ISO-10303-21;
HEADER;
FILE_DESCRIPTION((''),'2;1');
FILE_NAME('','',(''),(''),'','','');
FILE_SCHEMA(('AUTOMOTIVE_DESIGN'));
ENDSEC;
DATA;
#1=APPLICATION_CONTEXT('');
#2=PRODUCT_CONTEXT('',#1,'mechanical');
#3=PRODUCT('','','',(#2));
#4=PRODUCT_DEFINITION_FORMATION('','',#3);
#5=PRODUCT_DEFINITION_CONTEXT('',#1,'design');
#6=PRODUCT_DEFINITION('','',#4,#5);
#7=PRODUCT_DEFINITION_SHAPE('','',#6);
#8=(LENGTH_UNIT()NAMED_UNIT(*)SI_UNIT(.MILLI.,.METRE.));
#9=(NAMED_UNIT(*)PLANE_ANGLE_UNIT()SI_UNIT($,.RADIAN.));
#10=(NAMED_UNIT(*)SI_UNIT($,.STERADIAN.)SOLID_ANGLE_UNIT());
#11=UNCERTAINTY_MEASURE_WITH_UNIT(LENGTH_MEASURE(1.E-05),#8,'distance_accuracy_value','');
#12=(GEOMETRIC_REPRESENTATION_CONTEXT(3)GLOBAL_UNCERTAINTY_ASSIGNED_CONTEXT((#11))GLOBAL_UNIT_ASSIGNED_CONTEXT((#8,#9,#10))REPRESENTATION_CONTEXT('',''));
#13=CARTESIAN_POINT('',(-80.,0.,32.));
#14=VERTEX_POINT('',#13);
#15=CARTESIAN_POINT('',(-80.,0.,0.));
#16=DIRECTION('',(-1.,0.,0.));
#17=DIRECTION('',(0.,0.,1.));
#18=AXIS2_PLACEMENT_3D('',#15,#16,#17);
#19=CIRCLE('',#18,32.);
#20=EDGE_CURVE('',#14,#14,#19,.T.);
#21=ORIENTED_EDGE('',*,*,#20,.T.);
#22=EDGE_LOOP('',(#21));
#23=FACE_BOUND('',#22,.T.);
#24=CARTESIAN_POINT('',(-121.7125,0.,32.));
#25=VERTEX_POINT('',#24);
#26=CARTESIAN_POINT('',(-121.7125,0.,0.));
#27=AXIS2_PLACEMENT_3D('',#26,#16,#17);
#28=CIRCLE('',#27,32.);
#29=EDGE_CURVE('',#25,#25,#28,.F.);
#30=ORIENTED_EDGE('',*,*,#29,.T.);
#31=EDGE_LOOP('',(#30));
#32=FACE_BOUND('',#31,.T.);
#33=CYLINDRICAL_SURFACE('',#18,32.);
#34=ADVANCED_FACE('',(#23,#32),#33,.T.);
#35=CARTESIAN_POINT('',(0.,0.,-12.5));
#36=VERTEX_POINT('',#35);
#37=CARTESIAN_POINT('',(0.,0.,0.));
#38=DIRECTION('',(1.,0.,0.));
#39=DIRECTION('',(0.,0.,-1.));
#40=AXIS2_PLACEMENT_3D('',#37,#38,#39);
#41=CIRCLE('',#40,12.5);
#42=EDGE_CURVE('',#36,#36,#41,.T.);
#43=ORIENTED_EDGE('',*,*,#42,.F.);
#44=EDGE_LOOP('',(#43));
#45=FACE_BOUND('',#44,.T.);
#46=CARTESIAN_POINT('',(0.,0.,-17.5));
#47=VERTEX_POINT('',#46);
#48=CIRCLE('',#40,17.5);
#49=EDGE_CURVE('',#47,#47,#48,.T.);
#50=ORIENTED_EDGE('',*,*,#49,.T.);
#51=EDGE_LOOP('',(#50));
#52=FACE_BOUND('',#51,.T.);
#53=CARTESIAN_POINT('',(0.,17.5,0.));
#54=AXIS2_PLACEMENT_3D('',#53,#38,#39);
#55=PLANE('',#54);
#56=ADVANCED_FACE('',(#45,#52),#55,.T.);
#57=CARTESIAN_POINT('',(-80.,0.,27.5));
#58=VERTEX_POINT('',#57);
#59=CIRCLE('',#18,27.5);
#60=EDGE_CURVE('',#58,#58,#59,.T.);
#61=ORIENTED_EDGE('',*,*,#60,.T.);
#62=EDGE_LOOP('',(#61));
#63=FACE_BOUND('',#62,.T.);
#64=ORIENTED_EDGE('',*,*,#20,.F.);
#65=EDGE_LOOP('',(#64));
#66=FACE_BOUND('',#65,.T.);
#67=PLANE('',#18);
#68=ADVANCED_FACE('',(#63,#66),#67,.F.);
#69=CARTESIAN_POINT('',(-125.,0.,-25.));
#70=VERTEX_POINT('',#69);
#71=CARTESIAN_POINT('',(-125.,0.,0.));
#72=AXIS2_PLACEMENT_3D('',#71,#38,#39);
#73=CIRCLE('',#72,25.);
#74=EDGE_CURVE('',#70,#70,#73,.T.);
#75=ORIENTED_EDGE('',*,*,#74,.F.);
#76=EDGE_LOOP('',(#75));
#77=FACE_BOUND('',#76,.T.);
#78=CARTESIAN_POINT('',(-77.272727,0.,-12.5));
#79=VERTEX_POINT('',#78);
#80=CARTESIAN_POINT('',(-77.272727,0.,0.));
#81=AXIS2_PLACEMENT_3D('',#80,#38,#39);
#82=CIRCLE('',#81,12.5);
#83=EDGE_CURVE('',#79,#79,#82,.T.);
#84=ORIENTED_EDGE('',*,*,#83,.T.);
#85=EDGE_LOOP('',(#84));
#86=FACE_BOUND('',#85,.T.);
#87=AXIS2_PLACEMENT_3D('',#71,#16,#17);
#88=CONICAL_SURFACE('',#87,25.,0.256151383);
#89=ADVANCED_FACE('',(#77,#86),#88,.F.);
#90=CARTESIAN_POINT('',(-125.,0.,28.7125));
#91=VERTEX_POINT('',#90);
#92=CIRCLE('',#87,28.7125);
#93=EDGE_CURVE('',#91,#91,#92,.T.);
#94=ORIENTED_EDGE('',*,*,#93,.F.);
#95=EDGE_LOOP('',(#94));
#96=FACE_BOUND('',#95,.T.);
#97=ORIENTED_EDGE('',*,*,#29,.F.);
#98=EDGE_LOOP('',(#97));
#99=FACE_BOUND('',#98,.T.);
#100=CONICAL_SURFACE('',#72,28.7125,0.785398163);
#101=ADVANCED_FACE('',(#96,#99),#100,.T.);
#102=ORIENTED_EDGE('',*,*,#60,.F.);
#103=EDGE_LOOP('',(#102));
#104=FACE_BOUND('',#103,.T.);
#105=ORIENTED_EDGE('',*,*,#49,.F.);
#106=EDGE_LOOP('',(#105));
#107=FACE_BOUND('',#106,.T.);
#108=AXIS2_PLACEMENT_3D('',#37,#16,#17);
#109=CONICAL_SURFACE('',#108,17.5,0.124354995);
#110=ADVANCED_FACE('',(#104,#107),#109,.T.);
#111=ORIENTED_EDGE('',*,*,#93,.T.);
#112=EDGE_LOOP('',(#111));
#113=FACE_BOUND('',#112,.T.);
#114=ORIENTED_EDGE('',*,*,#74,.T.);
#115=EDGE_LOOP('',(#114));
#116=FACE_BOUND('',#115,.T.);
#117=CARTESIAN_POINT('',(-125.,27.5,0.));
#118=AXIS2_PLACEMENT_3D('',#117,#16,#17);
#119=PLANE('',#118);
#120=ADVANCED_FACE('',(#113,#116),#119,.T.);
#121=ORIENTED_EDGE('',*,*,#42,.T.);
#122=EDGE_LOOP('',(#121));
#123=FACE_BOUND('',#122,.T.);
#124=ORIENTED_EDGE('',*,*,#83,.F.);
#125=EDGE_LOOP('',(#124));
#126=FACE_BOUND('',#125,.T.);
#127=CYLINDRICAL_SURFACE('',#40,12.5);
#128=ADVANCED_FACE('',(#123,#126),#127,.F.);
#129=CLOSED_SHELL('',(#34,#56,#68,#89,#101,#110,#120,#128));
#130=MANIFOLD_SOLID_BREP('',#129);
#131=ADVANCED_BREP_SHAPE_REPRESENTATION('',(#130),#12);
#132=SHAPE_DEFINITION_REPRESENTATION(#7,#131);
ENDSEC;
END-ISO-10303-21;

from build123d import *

# Parameters (mm, degrees)
SKETCH_4_R      = 32
SKETCH_4_R_2    = 27.5
EXTRUDE_1_DEPTH = 45
CHAMFER_1_SIZE  = 3.2875


with BuildPart() as part:
    # Эскиз1 → Повернуть1 (revolve)
    with BuildSketch(Plane.XY):
        Polygon((-125, 27.5), (-80, 27.5), (0, 17.5), (0, 12.5), (-77.272727273, 12.5), (-125, 25), align=None)
    revolve(axis=Axis((0, 0, 0), (-1, 0, 0)))

    # Эскиз4 → Бобышка-Вытянуть1 (add)
    with BuildSketch(Plane.ZY.offset(125)):
        Circle(SKETCH_4_R)
        Circle(SKETCH_4_R_2, mode=Mode.SUBTRACT)
    extrude(amount=-EXTRUDE_1_DEPTH)

    # Фаска1
    chamfer_1_edges = [part.edges().sort_by_distance(p)[0] for p in [
        (-125, 0, -32),
    ]]
    chamfer(chamfer_1_edges, length=CHAMFER_1_SIZE)


solid = part.part
